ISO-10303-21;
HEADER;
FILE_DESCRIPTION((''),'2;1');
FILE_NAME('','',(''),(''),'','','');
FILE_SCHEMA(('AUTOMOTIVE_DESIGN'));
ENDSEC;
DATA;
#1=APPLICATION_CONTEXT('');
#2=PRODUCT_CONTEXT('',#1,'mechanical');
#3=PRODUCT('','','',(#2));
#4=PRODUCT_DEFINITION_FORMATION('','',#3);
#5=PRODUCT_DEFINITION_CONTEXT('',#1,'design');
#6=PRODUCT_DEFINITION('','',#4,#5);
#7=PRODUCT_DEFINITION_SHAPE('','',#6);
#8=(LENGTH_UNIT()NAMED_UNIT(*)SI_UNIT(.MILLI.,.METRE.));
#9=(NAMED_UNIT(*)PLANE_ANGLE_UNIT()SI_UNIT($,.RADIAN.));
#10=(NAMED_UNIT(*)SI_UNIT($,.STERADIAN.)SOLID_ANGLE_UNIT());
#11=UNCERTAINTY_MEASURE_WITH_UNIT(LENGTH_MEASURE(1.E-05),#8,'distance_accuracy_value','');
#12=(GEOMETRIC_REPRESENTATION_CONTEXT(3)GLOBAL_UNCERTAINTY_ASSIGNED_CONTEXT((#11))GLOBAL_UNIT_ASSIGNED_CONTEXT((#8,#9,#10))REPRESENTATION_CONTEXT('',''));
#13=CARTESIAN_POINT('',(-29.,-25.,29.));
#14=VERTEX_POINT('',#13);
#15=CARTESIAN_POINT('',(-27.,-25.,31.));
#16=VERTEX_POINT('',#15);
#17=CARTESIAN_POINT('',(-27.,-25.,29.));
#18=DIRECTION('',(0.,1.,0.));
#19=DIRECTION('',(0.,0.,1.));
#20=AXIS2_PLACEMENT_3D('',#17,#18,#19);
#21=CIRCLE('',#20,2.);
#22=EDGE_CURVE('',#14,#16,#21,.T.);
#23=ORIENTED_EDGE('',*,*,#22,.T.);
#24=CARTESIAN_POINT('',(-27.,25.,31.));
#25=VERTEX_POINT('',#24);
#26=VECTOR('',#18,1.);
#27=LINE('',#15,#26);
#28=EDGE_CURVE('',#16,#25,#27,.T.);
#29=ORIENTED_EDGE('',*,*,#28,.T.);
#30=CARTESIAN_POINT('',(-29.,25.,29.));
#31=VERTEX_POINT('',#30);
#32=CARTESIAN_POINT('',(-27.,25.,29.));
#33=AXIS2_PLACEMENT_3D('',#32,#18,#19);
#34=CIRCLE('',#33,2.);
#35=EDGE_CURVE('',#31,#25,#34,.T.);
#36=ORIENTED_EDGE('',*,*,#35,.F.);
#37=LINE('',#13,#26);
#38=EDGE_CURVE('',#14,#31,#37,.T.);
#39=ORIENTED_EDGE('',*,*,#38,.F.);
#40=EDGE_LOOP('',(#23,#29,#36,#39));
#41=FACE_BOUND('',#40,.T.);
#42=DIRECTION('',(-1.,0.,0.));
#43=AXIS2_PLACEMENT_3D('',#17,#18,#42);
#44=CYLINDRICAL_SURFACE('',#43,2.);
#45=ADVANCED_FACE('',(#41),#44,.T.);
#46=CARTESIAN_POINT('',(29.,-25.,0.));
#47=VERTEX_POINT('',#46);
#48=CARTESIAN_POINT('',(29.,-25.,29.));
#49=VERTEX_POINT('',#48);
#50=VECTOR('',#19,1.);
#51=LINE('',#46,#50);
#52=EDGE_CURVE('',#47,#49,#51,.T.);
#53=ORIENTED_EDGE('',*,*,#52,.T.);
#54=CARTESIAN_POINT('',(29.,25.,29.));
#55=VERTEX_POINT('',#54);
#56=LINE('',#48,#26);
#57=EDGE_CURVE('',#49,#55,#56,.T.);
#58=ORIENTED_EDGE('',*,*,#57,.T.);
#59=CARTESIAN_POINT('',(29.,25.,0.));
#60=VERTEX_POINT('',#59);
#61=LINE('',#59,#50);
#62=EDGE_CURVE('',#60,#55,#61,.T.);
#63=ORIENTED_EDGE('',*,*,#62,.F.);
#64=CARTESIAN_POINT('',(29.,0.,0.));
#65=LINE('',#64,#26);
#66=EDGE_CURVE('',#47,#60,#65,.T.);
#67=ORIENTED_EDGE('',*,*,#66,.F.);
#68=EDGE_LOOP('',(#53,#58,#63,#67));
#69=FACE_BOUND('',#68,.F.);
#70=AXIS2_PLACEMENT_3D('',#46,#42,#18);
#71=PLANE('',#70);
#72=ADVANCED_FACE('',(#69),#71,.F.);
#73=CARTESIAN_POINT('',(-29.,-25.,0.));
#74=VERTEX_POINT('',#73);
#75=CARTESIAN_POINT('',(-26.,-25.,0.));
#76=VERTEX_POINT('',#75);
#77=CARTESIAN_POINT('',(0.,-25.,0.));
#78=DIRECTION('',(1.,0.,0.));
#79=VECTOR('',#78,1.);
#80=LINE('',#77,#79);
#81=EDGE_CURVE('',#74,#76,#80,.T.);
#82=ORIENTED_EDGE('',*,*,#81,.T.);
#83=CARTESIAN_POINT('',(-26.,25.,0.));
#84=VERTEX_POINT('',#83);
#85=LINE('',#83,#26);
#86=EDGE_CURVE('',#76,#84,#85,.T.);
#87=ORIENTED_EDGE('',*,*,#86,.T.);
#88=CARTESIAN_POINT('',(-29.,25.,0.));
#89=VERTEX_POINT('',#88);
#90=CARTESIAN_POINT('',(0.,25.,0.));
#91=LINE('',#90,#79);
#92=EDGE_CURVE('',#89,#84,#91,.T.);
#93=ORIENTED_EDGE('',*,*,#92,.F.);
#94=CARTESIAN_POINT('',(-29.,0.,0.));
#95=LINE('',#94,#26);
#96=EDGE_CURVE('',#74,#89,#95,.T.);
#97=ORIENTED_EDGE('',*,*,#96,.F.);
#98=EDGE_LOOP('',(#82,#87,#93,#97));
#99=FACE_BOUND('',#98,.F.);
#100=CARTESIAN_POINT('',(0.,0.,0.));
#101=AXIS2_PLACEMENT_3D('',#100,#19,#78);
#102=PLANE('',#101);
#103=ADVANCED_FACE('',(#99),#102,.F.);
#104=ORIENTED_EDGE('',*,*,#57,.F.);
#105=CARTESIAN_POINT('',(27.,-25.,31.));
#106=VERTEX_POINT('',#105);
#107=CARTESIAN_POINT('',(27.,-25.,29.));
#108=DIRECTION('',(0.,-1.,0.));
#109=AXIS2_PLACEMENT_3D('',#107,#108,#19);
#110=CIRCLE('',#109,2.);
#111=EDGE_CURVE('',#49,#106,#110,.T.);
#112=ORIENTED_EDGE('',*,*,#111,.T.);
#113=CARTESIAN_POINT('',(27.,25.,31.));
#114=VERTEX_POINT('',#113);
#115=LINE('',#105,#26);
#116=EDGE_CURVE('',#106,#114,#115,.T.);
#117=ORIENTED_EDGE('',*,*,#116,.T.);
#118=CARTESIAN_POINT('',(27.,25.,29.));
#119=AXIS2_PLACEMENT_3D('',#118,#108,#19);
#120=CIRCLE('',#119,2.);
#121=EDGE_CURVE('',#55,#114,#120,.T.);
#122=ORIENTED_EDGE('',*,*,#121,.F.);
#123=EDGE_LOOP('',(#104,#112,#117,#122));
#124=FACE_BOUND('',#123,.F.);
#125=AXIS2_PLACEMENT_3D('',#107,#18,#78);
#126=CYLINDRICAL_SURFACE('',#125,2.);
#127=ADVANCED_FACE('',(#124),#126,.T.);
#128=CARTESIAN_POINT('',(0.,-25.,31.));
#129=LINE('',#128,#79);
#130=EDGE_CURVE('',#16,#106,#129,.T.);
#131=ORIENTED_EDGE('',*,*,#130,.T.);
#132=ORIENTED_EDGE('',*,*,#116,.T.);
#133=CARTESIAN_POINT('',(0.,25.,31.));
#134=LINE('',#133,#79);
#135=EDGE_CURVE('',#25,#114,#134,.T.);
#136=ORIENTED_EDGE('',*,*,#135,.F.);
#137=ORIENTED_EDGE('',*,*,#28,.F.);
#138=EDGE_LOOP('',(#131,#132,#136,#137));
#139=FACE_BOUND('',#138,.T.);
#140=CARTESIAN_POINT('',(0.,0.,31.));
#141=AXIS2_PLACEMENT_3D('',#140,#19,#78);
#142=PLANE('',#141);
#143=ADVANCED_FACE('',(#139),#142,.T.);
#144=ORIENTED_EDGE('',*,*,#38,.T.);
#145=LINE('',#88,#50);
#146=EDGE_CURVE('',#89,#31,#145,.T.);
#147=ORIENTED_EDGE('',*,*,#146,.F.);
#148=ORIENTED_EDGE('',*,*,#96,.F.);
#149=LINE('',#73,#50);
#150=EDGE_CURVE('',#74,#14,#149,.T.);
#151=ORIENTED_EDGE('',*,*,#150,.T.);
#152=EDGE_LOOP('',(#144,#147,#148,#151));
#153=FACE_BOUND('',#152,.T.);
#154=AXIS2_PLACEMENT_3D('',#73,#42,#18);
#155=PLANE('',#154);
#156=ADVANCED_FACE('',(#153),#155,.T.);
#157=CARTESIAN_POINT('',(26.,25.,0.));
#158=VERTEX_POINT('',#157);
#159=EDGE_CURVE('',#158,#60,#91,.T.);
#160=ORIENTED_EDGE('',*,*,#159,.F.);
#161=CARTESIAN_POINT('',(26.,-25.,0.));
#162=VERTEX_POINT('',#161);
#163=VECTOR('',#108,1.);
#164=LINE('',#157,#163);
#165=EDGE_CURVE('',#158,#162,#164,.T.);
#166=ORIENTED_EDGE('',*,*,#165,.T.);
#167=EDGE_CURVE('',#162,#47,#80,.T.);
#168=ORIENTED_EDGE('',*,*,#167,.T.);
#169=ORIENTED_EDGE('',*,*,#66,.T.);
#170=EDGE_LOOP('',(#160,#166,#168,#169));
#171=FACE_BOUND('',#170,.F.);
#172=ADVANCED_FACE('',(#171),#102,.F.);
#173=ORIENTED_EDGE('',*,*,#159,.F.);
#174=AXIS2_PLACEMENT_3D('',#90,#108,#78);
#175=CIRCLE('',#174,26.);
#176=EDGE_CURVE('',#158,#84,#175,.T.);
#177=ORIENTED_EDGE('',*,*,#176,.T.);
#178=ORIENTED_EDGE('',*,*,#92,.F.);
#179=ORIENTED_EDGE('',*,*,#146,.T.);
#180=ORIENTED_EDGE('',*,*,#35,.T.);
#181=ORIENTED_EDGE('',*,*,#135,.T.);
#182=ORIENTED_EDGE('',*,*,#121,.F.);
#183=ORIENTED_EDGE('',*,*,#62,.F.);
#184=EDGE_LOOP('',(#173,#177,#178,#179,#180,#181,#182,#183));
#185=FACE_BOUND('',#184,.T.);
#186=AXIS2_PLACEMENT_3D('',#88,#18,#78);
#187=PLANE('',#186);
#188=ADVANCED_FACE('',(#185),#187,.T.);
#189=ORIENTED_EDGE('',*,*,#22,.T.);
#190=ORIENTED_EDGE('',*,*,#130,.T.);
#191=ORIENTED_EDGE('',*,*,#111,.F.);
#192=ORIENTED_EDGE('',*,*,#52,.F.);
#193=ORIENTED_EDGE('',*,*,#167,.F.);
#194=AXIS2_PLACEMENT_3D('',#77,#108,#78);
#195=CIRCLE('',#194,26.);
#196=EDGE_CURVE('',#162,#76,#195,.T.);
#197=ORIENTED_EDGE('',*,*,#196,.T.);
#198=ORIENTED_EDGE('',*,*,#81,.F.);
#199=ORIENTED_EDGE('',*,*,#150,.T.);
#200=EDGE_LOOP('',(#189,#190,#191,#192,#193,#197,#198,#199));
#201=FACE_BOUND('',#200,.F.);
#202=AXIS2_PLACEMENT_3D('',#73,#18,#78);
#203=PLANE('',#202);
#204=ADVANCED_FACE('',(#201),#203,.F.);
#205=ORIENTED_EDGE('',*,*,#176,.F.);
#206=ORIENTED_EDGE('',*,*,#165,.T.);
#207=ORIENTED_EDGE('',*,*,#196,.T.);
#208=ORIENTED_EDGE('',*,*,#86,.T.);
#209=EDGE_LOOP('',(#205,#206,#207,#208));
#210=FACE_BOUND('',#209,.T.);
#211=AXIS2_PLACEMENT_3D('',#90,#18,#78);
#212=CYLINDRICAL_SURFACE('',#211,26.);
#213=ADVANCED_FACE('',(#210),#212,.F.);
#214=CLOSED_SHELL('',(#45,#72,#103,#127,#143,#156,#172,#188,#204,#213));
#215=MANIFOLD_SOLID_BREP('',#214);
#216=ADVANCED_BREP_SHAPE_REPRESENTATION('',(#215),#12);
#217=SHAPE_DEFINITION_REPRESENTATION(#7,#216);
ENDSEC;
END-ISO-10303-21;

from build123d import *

# Parameters (mm, degrees)
CYLINDER_R     = 26
CYLINDER_DEPTH = 50
BOX_W          = 58
BOX_H          = 50
BOX_DEPTH      = 31
FILLET_R       = 2


with BuildPart() as cylinder:
    # Cylinder → Cylinder (new body)
    with BuildSketch(Plane.XZ.offset(-25)):
        Circle(CYLINDER_R)
    extrude(amount=CYLINDER_DEPTH)


with BuildPart() as skalka_holder:
    # Box → Box (new body)
    with BuildSketch(Plane(origin=(-29, -25, 0), x_dir=(1, 0, 0), z_dir=(0, 0, 1))):
        with Locations((29, 25)):
            Rectangle(BOX_W, BOX_H)
    extrude(amount=BOX_DEPTH)

    # Fillet
    fillet_edges = [skalka_holder.edges().sort_by_distance(p)[0] for p in [
        (-29, 0, 31),
        (29, 0, 31),
    ]]
    fillet(fillet_edges, radius=FILLET_R)

    # Cut: cut Cylinder
    add(cylinder.part, mode=Mode.SUBTRACT)


solid = skalka_holder.part
